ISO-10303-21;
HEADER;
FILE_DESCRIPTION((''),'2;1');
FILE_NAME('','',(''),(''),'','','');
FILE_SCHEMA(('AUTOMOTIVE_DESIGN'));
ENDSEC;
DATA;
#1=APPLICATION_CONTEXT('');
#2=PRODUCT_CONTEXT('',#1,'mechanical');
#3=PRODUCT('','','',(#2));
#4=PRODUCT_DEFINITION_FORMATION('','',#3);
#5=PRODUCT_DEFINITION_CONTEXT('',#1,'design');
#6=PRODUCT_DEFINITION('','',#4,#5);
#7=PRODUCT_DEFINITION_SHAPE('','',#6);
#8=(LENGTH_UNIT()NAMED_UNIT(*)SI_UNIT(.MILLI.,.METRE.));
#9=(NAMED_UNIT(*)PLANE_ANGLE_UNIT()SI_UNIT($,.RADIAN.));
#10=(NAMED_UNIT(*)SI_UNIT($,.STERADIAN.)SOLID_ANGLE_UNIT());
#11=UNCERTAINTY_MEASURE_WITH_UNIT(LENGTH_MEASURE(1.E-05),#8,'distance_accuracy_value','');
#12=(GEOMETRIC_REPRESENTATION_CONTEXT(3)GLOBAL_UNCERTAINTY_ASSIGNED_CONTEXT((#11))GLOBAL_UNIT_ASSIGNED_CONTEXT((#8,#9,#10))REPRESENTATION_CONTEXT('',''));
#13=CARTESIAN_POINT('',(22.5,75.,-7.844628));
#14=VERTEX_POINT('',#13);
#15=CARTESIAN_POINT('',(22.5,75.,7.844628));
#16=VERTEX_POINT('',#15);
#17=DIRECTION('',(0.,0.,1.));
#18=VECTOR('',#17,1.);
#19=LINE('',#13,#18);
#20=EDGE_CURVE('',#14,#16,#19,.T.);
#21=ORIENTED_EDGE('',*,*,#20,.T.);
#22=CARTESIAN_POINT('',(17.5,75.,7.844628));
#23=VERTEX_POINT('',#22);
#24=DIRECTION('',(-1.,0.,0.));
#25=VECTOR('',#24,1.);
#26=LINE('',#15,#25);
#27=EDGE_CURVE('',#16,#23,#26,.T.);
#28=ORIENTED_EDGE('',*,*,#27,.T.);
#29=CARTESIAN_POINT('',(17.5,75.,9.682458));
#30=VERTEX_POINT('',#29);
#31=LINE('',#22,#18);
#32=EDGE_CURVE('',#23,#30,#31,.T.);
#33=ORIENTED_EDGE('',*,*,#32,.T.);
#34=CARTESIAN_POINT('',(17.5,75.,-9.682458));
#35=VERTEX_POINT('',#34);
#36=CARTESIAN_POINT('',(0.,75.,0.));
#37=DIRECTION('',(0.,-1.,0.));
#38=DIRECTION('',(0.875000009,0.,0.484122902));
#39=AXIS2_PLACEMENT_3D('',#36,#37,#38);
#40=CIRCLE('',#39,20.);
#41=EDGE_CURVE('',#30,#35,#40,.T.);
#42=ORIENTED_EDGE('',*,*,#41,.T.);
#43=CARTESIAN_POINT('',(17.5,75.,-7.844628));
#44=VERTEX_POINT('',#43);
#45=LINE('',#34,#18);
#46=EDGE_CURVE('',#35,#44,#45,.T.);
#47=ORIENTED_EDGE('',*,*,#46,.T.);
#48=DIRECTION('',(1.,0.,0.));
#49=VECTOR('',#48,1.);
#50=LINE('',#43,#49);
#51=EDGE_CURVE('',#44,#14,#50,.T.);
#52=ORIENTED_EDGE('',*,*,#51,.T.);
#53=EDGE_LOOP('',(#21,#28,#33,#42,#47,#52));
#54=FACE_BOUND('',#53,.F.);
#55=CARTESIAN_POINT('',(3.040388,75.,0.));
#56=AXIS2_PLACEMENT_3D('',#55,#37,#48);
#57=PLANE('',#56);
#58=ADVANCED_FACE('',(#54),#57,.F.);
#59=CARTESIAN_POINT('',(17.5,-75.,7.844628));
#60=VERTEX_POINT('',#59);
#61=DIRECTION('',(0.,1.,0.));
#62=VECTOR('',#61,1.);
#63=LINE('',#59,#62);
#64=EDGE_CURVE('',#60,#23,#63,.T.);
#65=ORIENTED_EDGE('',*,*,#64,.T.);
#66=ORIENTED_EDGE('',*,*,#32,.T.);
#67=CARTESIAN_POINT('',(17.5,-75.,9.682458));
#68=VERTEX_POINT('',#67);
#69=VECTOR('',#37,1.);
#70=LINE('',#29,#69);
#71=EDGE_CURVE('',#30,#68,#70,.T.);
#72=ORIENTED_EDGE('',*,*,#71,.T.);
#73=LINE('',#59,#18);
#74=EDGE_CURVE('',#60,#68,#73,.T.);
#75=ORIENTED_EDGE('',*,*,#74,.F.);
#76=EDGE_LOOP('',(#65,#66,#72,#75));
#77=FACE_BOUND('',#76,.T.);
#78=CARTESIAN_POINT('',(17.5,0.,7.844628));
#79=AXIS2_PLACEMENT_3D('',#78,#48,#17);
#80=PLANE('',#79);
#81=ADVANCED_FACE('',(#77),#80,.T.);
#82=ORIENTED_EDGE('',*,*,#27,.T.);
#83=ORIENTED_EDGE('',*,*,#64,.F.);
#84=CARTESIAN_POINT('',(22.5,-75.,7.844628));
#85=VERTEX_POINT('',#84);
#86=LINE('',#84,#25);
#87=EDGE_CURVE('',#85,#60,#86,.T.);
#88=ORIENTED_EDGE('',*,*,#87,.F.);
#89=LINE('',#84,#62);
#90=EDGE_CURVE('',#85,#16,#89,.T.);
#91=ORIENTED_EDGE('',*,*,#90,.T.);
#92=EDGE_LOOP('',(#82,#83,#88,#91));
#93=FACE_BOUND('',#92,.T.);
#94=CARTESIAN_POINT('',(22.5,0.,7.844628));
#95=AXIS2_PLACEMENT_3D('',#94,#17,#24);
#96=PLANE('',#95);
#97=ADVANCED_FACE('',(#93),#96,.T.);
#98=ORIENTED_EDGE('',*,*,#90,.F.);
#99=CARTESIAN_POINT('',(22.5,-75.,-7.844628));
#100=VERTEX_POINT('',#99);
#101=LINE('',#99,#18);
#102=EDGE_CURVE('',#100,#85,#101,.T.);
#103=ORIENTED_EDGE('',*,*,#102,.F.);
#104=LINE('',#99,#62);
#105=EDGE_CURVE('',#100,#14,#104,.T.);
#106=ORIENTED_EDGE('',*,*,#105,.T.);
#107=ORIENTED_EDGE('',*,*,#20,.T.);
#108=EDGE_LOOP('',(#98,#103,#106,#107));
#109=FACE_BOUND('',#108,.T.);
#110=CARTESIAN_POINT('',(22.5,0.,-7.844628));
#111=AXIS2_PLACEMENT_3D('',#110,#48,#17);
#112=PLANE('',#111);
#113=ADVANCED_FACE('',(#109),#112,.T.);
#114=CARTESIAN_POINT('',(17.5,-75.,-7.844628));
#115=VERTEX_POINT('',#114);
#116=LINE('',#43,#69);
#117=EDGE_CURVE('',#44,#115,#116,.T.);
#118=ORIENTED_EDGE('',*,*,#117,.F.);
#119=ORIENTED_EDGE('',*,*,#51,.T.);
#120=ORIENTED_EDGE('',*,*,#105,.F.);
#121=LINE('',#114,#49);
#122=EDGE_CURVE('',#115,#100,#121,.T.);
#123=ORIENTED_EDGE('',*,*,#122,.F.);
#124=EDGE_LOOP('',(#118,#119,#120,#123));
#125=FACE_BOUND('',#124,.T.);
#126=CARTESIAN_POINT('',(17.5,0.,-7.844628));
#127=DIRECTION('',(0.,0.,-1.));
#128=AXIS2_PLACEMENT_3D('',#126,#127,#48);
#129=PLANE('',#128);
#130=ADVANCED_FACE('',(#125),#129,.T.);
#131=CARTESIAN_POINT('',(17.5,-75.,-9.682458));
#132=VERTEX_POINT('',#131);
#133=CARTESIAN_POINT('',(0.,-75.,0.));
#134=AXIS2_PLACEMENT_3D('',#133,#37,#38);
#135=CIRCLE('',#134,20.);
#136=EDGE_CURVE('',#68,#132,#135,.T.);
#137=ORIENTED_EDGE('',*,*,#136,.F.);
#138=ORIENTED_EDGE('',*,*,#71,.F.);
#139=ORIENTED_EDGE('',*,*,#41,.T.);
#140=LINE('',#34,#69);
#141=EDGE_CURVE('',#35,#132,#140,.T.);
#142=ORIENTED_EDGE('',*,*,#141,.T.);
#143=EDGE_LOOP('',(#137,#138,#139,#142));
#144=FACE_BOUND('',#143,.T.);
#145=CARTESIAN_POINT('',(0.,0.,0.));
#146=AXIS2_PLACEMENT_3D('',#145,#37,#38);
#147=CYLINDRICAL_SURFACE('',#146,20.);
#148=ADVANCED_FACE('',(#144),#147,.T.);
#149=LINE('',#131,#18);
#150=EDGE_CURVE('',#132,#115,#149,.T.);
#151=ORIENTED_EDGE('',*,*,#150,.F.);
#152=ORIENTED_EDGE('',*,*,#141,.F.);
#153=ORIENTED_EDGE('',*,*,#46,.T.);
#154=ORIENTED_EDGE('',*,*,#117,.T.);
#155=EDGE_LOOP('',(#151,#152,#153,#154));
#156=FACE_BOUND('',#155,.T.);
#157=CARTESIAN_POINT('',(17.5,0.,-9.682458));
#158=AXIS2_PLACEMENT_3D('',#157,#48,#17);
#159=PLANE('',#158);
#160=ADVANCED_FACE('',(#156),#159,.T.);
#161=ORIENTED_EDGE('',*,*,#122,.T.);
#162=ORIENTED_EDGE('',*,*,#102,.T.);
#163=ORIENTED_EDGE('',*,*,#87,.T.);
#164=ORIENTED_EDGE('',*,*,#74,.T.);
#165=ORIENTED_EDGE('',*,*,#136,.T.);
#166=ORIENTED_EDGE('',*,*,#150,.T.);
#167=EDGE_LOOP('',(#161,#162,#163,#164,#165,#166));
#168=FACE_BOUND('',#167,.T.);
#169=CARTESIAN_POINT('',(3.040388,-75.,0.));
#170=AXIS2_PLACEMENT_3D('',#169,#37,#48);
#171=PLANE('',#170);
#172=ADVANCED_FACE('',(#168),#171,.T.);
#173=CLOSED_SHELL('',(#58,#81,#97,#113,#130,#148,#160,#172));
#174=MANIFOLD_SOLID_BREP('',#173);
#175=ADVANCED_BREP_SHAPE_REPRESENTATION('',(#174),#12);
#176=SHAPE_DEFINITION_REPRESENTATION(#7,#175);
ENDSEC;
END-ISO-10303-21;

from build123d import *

# Parameters (mm, degrees)
F1_DEPTH = 75


with BuildPart() as f1:
    # F0 (on Front) → F1 (new body, symmetric)
    with BuildSketch(Plane.XZ):
        with BuildLine():
            Line((17.5, 7.844628), (17.5, 9.682458))
            ThreePointArc((17.5, 9.682458), (-20, 0), (17.5, -9.682458))
            Line((17.5, -9.682458), (17.5, -7.844628))
            Line((17.5, -7.844628), (22.5, -7.844628))
            Line((22.5, -7.844628), (22.5, 7.844628))
            Line((22.5, 7.844628), (17.5, 7.844628))
        make_face()
    extrude(amount=F1_DEPTH, both=True)


solid = f1.part
